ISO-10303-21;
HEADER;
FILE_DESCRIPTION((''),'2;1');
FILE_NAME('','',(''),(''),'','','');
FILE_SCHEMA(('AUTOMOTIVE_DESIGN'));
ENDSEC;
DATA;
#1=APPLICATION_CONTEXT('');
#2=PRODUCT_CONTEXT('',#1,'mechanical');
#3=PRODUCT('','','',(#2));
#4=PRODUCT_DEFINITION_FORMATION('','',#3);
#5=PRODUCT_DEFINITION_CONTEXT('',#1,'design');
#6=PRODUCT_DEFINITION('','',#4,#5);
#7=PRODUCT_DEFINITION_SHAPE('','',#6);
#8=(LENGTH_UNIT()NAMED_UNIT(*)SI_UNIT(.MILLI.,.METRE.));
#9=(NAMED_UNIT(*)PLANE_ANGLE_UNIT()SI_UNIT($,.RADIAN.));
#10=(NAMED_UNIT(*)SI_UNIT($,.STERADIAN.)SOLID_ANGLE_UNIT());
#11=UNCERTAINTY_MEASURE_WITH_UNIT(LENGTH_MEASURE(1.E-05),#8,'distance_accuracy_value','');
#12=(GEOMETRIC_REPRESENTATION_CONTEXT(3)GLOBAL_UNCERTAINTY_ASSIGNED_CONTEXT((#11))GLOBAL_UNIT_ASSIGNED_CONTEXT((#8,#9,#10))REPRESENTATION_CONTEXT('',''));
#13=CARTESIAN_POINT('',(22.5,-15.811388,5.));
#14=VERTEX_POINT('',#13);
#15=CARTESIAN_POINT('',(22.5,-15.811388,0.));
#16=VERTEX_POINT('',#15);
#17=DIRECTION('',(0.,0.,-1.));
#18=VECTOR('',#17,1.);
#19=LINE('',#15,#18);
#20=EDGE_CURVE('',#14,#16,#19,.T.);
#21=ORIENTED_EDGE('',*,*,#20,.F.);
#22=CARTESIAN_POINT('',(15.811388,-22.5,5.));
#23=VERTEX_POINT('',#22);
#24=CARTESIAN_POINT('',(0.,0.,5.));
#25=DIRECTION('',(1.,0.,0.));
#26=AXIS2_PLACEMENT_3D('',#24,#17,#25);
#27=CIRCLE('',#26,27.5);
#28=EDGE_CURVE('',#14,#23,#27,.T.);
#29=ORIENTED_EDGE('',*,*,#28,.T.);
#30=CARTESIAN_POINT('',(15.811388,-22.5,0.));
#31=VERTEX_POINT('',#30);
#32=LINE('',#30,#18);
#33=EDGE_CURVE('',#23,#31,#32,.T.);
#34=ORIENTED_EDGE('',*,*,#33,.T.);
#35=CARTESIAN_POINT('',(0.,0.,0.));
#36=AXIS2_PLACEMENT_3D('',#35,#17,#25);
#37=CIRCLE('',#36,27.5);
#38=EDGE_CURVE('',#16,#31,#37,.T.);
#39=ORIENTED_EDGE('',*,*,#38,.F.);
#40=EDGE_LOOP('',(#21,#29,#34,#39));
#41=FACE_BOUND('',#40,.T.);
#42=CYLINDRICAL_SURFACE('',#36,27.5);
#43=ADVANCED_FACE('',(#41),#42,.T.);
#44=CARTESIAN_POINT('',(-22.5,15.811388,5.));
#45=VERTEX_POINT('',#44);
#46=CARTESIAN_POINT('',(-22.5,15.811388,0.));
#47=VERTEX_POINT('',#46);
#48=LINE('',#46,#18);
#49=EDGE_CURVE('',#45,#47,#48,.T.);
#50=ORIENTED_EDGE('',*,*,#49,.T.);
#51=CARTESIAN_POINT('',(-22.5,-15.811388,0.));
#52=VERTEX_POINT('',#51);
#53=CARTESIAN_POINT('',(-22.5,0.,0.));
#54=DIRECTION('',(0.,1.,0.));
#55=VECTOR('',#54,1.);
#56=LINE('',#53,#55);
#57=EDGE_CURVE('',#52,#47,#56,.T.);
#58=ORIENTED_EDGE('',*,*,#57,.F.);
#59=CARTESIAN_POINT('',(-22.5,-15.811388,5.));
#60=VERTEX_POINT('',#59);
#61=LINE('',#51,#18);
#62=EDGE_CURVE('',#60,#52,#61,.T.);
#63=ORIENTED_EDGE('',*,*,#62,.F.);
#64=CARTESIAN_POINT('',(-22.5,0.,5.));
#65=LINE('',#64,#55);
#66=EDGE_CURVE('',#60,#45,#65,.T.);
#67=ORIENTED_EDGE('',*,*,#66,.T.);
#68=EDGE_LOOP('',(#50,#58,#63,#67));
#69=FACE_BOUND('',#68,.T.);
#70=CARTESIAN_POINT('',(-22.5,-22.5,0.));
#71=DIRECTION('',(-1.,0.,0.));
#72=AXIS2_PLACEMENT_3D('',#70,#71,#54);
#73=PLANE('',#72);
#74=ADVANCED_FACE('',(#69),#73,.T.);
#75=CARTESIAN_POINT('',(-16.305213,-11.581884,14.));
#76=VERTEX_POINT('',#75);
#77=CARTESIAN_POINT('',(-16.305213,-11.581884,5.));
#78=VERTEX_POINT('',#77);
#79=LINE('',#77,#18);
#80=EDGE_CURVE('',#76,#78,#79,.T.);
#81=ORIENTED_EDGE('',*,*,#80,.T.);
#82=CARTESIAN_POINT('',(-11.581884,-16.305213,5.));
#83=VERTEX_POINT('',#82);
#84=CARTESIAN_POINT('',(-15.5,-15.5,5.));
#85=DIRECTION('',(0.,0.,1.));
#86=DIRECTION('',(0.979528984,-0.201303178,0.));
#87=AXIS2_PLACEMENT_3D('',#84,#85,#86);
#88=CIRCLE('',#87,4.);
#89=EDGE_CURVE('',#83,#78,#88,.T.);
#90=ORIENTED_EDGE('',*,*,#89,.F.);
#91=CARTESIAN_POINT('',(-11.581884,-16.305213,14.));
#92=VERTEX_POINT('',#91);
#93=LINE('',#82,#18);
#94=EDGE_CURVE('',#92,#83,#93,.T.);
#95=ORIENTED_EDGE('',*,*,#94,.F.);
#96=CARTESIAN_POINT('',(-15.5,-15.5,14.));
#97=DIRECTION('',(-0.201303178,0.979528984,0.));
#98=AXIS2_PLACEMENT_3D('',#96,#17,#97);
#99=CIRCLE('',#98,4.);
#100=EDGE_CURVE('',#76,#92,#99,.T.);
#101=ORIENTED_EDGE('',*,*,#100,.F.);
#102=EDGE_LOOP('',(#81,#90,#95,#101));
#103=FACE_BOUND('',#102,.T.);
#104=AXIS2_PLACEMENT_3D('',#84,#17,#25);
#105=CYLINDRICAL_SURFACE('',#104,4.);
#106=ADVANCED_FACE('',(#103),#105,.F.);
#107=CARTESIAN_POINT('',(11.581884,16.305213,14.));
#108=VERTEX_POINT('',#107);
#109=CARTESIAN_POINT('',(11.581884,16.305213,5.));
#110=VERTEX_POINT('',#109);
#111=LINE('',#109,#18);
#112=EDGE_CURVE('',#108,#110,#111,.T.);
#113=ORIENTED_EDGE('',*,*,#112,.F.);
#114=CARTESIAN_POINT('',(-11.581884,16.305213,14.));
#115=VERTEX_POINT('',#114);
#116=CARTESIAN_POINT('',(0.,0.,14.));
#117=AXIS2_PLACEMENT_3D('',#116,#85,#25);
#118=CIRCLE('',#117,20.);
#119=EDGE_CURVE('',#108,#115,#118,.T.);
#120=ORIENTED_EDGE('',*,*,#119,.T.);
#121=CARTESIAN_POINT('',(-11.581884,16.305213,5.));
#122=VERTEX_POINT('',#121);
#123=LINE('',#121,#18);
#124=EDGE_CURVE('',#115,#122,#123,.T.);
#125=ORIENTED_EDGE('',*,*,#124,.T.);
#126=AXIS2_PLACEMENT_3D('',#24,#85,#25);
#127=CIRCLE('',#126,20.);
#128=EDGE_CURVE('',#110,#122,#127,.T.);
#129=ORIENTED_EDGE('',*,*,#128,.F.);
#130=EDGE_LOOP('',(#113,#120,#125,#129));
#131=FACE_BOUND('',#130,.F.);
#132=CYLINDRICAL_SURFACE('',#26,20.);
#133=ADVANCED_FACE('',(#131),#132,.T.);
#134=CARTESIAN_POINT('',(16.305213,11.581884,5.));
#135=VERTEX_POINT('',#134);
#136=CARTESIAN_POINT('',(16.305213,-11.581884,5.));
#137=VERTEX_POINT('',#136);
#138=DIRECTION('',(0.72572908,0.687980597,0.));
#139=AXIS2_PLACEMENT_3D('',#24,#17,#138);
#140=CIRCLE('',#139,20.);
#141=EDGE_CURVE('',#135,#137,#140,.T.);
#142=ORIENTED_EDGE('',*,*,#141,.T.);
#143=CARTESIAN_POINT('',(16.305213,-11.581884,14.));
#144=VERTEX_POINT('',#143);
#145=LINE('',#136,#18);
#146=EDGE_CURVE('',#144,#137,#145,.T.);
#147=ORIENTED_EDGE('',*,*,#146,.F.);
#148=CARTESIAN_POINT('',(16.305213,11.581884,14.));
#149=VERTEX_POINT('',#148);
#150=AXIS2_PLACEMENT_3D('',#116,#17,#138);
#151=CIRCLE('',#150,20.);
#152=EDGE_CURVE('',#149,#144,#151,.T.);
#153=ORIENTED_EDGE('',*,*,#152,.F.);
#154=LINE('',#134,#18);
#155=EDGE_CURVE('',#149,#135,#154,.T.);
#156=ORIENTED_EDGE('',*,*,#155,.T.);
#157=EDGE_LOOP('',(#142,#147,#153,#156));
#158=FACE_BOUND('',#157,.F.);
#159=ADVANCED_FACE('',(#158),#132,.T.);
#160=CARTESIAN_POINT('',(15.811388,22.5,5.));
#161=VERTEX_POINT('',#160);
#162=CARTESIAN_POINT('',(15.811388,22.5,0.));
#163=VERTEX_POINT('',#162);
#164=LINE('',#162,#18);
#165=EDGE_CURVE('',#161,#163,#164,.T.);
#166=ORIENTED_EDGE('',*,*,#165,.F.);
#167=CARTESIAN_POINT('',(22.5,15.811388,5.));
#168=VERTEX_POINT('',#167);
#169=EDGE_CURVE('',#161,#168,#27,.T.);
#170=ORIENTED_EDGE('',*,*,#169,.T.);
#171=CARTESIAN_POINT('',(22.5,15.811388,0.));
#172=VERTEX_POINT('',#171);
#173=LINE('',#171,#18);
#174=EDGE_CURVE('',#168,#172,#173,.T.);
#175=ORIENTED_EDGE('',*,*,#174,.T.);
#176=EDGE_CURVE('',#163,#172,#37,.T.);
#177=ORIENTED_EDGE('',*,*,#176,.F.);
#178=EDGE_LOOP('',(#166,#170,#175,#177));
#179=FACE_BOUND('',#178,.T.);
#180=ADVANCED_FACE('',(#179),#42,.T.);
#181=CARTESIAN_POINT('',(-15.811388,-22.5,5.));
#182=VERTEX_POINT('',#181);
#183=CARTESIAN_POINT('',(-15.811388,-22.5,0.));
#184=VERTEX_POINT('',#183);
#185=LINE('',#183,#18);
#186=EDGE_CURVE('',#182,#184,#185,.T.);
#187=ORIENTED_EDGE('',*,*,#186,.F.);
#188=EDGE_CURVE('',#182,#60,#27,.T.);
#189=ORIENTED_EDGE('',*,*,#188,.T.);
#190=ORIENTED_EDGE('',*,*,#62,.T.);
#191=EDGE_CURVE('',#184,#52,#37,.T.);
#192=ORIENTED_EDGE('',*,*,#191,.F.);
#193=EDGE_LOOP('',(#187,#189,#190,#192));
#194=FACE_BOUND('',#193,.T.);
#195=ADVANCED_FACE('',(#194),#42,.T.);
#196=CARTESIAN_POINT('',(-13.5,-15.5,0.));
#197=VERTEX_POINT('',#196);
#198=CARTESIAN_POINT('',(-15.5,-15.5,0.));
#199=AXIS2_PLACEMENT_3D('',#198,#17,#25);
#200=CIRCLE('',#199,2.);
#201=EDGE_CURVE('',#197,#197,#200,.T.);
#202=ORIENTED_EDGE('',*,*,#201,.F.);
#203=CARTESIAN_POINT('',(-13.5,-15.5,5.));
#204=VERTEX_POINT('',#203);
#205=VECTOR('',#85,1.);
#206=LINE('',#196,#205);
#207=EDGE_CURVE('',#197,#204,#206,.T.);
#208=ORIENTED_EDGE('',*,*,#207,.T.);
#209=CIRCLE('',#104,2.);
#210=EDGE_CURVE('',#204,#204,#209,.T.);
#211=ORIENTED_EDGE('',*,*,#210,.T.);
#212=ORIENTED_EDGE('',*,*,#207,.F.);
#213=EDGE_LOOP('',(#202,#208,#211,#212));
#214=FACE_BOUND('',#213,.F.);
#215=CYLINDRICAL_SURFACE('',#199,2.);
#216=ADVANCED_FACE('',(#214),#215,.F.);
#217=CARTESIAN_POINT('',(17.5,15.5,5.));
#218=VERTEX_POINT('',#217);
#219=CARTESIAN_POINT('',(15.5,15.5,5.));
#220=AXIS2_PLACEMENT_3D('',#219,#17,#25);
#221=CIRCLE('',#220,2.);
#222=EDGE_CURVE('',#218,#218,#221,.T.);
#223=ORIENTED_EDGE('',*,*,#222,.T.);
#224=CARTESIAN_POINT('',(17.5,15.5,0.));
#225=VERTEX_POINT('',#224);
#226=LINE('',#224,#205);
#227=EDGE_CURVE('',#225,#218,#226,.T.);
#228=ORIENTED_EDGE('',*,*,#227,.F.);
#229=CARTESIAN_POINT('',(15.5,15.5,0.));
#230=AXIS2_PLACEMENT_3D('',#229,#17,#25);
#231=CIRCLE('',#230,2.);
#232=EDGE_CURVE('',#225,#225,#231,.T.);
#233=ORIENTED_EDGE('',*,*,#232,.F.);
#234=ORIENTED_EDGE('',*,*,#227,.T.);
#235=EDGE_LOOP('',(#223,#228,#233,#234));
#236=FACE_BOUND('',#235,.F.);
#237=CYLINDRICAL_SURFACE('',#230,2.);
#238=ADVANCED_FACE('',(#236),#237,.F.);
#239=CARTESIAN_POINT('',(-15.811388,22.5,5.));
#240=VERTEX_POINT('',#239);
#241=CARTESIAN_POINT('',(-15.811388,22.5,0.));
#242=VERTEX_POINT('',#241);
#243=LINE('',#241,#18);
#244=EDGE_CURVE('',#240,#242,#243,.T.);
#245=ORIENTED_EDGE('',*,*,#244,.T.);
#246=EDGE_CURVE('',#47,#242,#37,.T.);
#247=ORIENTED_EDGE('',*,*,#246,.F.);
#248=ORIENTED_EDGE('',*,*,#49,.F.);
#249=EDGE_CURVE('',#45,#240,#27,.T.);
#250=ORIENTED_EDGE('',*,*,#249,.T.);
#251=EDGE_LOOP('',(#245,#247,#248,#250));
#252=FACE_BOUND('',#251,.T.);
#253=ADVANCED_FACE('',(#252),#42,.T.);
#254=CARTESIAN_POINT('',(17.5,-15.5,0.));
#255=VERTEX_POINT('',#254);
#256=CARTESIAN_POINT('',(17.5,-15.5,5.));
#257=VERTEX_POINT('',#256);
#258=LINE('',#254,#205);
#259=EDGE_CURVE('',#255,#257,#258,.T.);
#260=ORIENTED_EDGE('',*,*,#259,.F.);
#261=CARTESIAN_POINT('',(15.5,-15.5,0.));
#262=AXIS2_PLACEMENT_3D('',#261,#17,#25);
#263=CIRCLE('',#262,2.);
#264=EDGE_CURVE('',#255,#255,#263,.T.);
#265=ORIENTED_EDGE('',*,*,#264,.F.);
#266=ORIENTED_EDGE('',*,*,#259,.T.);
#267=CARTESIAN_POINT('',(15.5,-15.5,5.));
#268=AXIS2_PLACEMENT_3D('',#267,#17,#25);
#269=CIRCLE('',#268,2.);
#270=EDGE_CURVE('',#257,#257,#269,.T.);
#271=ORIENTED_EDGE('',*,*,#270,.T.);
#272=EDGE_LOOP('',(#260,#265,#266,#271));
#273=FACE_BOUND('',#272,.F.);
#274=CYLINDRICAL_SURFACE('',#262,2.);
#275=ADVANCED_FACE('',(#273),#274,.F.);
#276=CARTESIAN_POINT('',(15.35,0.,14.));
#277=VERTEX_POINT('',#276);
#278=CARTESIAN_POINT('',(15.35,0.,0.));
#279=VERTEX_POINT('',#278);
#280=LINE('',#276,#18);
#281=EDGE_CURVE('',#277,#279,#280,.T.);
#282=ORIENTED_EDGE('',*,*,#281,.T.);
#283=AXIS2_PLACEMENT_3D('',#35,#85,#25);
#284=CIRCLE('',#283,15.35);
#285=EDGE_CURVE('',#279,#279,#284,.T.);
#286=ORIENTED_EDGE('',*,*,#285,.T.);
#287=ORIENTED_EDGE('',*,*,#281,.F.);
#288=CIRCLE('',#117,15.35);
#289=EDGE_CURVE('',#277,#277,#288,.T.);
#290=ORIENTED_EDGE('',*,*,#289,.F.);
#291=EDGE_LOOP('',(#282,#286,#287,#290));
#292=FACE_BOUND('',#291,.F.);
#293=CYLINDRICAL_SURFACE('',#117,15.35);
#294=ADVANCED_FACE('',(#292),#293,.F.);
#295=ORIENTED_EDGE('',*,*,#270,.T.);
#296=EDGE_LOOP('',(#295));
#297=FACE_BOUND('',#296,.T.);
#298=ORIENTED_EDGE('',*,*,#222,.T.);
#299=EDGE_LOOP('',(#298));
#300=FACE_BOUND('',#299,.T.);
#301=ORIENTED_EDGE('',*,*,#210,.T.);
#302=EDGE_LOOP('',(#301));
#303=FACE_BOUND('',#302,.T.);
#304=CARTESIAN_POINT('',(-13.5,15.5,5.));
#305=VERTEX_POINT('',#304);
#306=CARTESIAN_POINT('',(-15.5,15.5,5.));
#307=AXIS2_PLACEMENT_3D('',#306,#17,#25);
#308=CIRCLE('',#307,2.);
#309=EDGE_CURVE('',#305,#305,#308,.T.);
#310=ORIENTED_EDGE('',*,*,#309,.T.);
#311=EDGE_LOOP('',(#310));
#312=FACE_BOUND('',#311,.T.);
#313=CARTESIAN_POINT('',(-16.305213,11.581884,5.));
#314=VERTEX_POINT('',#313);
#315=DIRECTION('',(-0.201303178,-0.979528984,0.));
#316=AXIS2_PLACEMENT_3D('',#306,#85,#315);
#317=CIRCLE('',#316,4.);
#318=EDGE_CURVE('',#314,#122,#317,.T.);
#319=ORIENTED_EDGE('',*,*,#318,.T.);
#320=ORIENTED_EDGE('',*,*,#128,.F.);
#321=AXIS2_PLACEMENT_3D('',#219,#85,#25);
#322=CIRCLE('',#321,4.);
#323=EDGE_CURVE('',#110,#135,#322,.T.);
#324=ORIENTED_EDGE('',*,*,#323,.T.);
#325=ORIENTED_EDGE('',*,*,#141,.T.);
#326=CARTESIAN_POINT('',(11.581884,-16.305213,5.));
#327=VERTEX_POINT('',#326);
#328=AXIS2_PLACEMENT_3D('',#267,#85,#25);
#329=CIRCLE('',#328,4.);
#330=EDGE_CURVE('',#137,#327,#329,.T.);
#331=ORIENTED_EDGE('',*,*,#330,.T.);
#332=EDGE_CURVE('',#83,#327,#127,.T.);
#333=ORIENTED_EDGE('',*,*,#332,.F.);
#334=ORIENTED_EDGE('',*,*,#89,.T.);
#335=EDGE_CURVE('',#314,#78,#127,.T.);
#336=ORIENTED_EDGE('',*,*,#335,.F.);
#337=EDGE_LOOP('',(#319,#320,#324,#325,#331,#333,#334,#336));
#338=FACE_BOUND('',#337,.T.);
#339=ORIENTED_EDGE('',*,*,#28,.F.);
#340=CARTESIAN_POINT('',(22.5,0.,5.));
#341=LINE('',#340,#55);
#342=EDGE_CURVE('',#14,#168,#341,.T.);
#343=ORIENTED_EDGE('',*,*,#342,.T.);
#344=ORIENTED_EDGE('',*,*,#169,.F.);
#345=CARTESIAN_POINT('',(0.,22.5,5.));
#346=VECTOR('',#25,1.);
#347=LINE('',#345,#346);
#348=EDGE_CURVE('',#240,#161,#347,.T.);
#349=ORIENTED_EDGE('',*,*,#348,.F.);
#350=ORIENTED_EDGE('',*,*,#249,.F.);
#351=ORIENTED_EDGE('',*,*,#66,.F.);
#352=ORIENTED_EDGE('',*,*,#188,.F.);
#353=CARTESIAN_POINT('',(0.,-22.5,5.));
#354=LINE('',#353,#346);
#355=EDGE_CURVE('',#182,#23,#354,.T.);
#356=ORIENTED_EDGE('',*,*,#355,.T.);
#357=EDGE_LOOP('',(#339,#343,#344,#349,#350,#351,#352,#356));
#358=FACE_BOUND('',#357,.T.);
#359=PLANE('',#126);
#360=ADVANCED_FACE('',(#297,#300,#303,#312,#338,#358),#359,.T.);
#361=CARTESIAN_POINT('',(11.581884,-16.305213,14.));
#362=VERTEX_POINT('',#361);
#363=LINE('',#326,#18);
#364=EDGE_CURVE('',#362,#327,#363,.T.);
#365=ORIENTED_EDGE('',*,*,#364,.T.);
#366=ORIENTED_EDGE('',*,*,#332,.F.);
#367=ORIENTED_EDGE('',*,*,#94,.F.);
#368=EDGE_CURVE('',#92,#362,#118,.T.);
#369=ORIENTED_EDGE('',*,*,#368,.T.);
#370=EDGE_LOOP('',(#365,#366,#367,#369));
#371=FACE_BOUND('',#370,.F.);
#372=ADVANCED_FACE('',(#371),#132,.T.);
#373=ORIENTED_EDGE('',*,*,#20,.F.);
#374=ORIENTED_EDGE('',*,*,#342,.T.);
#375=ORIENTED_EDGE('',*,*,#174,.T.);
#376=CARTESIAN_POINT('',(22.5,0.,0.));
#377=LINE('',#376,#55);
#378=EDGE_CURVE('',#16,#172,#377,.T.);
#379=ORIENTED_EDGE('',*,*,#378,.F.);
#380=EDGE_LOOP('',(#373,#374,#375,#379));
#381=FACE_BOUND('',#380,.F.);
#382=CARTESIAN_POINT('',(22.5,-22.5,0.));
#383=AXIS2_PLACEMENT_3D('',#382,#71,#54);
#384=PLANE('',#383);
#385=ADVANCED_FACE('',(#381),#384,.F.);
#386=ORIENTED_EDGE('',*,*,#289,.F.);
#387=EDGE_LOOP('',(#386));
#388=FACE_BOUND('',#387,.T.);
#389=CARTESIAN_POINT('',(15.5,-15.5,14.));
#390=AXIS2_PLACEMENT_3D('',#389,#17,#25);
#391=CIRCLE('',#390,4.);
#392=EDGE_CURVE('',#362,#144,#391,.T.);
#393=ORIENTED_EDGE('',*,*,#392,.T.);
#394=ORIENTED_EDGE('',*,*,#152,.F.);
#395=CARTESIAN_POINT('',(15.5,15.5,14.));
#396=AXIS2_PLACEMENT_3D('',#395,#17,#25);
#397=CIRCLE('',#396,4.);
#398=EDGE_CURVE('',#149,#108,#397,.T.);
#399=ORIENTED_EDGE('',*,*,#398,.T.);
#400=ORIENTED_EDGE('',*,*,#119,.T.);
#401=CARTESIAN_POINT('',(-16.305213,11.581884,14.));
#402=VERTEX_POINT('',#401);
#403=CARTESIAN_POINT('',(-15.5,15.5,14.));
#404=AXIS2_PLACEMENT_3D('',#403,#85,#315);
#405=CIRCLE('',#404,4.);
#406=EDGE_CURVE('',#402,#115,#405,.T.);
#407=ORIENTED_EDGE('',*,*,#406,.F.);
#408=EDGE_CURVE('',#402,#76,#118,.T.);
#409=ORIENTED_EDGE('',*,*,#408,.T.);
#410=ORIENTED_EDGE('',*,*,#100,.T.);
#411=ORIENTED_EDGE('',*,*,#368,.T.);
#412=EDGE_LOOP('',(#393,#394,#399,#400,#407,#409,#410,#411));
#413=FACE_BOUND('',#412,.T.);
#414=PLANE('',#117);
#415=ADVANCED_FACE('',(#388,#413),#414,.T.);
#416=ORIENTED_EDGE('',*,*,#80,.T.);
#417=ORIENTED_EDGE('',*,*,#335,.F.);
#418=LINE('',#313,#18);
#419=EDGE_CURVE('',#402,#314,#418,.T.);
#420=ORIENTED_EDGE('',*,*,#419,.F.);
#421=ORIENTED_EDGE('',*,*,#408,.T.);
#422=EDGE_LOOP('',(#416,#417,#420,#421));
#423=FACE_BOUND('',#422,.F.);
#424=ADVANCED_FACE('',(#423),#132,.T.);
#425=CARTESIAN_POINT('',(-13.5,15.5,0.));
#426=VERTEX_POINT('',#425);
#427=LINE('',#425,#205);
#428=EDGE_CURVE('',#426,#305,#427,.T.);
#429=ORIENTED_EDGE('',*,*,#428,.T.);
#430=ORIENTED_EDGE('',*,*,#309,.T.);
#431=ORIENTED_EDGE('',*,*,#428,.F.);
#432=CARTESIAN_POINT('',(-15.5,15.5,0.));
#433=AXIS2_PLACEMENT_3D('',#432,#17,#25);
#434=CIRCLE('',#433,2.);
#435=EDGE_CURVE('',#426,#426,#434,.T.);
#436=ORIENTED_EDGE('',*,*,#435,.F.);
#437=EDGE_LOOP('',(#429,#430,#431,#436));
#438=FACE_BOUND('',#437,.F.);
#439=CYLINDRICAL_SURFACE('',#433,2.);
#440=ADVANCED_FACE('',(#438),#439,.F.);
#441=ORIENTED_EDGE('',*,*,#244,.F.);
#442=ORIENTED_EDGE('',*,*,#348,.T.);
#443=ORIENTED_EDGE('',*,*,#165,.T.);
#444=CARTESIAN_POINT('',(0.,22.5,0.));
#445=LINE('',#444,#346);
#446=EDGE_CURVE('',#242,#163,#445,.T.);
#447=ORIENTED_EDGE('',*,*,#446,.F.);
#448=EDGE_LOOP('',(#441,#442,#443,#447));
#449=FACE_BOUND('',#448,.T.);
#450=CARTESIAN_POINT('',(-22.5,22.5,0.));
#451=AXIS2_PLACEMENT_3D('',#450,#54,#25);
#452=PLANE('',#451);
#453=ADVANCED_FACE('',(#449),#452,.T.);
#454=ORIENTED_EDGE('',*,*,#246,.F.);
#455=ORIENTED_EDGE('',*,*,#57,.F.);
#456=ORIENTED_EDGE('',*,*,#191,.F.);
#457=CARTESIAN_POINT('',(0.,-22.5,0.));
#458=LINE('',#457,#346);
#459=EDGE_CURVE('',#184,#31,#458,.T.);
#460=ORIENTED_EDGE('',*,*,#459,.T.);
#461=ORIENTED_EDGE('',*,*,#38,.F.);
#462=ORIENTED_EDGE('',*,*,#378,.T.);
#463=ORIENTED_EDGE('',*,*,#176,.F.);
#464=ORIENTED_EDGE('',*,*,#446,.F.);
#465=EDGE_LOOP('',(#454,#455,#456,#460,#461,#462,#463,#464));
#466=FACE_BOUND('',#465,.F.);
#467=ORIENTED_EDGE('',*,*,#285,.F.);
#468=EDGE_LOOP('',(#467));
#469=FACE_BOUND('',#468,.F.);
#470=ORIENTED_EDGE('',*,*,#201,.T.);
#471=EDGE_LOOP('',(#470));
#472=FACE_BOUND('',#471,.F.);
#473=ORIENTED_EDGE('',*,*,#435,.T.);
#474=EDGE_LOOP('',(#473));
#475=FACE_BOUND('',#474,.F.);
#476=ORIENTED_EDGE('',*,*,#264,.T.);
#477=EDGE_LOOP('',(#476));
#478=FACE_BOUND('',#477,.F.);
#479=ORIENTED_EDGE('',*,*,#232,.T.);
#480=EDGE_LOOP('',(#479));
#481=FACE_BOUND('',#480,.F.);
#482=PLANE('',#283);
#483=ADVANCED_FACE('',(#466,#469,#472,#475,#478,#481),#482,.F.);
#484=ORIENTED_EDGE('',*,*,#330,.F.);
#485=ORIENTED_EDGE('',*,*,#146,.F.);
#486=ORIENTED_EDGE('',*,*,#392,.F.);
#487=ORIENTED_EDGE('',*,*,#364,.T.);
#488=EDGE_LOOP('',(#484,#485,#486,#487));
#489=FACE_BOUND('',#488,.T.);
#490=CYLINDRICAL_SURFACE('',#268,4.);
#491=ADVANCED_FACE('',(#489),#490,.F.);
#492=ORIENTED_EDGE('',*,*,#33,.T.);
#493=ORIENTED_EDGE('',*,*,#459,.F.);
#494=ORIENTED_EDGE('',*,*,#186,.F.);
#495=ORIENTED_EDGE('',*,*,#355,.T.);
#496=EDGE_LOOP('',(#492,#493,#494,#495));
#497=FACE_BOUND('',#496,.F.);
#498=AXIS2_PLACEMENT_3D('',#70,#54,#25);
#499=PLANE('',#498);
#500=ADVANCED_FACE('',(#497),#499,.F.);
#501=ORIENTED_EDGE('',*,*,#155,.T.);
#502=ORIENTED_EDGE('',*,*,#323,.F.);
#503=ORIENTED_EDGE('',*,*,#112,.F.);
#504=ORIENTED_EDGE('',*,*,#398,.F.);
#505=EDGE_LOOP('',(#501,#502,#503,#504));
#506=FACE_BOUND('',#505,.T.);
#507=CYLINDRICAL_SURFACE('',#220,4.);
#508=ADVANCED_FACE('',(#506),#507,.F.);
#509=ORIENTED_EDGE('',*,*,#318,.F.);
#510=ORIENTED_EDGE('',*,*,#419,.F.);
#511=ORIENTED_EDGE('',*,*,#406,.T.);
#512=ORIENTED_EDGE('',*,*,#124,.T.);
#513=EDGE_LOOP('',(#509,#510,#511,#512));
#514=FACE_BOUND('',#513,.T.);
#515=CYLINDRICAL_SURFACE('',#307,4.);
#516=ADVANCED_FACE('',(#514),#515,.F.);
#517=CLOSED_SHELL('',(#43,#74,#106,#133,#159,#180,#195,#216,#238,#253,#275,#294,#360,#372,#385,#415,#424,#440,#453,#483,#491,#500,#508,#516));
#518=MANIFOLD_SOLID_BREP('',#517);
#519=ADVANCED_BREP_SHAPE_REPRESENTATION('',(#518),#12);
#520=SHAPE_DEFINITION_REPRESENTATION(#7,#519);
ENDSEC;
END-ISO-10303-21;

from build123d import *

# Parameters (mm, degrees)
F0_W      = 45
F0_H      = 45
F1_DEPTH  = 5
F2_R      = 20
F3_DEPTH  = 9
F4_R      = 2
F5_DEPTH  = 25
F6_R      = 4
F7_DEPTH  = 25
F8_R      = 15.35
F9_DEPTH  = 25
F10_R     = 45.141628
F10_R_2   = 27.5
F11_DEPTH = 25


with BuildPart() as f1:
    # F0 (on Top) → F1 (new body)
    with BuildSketch(Plane.XY):
        Rectangle(F0_W, F0_H)
    extrude(amount=F1_DEPTH)

    # F2 (on face) → F3 (join)
    with BuildSketch(Plane.XY.offset(5)):
        Circle(F2_R)
    extrude(amount=F3_DEPTH)

    # F4 (on face) → F5 (cut)
    with BuildSketch(Plane(origin=(0, 0, 0), x_dir=(1, 0, 0), z_dir=(0, 0, -1))):
        with Locations((-15.5, 15.5)):
            Circle(F4_R)
        with Locations((-15.5, -15.5)):
            Circle(F4_R)
        with Locations((15.5, 15.5)):
            Circle(F4_R)
        with Locations((15.5, -15.5)):
            Circle(F4_R)
    extrude(amount=-F5_DEPTH, mode=Mode.SUBTRACT)

    # F6 (on face) → F7 (cut)
    with BuildSketch(Plane.XY.offset(5)):
        with Locations((15.5, -15.5)):
            Circle(F6_R)
        with Locations((-15.5, -15.5)):
            Circle(F6_R)
        with Locations((15.5, 15.5)):
            Circle(F6_R)
        with Locations((-15.5, 15.5)):
            Circle(F6_R)
    extrude(amount=F7_DEPTH, mode=Mode.SUBTRACT)

    # F8 (on face) → F9 (cut)
    with BuildSketch(Plane.XY.offset(14)):
        Circle(F8_R)
    extrude(amount=-F9_DEPTH, mode=Mode.SUBTRACT)

    # F10 (on face) → F11 (cut)
    with BuildSketch(Plane(origin=(0, 0, 0), x_dir=(1, 0, 0), z_dir=(0, 0, -1))):
        Circle(F10_R)
        Circle(F10_R_2, mode=Mode.SUBTRACT)
    extrude(amount=-F11_DEPTH, mode=Mode.SUBTRACT)


solid = f1.part
